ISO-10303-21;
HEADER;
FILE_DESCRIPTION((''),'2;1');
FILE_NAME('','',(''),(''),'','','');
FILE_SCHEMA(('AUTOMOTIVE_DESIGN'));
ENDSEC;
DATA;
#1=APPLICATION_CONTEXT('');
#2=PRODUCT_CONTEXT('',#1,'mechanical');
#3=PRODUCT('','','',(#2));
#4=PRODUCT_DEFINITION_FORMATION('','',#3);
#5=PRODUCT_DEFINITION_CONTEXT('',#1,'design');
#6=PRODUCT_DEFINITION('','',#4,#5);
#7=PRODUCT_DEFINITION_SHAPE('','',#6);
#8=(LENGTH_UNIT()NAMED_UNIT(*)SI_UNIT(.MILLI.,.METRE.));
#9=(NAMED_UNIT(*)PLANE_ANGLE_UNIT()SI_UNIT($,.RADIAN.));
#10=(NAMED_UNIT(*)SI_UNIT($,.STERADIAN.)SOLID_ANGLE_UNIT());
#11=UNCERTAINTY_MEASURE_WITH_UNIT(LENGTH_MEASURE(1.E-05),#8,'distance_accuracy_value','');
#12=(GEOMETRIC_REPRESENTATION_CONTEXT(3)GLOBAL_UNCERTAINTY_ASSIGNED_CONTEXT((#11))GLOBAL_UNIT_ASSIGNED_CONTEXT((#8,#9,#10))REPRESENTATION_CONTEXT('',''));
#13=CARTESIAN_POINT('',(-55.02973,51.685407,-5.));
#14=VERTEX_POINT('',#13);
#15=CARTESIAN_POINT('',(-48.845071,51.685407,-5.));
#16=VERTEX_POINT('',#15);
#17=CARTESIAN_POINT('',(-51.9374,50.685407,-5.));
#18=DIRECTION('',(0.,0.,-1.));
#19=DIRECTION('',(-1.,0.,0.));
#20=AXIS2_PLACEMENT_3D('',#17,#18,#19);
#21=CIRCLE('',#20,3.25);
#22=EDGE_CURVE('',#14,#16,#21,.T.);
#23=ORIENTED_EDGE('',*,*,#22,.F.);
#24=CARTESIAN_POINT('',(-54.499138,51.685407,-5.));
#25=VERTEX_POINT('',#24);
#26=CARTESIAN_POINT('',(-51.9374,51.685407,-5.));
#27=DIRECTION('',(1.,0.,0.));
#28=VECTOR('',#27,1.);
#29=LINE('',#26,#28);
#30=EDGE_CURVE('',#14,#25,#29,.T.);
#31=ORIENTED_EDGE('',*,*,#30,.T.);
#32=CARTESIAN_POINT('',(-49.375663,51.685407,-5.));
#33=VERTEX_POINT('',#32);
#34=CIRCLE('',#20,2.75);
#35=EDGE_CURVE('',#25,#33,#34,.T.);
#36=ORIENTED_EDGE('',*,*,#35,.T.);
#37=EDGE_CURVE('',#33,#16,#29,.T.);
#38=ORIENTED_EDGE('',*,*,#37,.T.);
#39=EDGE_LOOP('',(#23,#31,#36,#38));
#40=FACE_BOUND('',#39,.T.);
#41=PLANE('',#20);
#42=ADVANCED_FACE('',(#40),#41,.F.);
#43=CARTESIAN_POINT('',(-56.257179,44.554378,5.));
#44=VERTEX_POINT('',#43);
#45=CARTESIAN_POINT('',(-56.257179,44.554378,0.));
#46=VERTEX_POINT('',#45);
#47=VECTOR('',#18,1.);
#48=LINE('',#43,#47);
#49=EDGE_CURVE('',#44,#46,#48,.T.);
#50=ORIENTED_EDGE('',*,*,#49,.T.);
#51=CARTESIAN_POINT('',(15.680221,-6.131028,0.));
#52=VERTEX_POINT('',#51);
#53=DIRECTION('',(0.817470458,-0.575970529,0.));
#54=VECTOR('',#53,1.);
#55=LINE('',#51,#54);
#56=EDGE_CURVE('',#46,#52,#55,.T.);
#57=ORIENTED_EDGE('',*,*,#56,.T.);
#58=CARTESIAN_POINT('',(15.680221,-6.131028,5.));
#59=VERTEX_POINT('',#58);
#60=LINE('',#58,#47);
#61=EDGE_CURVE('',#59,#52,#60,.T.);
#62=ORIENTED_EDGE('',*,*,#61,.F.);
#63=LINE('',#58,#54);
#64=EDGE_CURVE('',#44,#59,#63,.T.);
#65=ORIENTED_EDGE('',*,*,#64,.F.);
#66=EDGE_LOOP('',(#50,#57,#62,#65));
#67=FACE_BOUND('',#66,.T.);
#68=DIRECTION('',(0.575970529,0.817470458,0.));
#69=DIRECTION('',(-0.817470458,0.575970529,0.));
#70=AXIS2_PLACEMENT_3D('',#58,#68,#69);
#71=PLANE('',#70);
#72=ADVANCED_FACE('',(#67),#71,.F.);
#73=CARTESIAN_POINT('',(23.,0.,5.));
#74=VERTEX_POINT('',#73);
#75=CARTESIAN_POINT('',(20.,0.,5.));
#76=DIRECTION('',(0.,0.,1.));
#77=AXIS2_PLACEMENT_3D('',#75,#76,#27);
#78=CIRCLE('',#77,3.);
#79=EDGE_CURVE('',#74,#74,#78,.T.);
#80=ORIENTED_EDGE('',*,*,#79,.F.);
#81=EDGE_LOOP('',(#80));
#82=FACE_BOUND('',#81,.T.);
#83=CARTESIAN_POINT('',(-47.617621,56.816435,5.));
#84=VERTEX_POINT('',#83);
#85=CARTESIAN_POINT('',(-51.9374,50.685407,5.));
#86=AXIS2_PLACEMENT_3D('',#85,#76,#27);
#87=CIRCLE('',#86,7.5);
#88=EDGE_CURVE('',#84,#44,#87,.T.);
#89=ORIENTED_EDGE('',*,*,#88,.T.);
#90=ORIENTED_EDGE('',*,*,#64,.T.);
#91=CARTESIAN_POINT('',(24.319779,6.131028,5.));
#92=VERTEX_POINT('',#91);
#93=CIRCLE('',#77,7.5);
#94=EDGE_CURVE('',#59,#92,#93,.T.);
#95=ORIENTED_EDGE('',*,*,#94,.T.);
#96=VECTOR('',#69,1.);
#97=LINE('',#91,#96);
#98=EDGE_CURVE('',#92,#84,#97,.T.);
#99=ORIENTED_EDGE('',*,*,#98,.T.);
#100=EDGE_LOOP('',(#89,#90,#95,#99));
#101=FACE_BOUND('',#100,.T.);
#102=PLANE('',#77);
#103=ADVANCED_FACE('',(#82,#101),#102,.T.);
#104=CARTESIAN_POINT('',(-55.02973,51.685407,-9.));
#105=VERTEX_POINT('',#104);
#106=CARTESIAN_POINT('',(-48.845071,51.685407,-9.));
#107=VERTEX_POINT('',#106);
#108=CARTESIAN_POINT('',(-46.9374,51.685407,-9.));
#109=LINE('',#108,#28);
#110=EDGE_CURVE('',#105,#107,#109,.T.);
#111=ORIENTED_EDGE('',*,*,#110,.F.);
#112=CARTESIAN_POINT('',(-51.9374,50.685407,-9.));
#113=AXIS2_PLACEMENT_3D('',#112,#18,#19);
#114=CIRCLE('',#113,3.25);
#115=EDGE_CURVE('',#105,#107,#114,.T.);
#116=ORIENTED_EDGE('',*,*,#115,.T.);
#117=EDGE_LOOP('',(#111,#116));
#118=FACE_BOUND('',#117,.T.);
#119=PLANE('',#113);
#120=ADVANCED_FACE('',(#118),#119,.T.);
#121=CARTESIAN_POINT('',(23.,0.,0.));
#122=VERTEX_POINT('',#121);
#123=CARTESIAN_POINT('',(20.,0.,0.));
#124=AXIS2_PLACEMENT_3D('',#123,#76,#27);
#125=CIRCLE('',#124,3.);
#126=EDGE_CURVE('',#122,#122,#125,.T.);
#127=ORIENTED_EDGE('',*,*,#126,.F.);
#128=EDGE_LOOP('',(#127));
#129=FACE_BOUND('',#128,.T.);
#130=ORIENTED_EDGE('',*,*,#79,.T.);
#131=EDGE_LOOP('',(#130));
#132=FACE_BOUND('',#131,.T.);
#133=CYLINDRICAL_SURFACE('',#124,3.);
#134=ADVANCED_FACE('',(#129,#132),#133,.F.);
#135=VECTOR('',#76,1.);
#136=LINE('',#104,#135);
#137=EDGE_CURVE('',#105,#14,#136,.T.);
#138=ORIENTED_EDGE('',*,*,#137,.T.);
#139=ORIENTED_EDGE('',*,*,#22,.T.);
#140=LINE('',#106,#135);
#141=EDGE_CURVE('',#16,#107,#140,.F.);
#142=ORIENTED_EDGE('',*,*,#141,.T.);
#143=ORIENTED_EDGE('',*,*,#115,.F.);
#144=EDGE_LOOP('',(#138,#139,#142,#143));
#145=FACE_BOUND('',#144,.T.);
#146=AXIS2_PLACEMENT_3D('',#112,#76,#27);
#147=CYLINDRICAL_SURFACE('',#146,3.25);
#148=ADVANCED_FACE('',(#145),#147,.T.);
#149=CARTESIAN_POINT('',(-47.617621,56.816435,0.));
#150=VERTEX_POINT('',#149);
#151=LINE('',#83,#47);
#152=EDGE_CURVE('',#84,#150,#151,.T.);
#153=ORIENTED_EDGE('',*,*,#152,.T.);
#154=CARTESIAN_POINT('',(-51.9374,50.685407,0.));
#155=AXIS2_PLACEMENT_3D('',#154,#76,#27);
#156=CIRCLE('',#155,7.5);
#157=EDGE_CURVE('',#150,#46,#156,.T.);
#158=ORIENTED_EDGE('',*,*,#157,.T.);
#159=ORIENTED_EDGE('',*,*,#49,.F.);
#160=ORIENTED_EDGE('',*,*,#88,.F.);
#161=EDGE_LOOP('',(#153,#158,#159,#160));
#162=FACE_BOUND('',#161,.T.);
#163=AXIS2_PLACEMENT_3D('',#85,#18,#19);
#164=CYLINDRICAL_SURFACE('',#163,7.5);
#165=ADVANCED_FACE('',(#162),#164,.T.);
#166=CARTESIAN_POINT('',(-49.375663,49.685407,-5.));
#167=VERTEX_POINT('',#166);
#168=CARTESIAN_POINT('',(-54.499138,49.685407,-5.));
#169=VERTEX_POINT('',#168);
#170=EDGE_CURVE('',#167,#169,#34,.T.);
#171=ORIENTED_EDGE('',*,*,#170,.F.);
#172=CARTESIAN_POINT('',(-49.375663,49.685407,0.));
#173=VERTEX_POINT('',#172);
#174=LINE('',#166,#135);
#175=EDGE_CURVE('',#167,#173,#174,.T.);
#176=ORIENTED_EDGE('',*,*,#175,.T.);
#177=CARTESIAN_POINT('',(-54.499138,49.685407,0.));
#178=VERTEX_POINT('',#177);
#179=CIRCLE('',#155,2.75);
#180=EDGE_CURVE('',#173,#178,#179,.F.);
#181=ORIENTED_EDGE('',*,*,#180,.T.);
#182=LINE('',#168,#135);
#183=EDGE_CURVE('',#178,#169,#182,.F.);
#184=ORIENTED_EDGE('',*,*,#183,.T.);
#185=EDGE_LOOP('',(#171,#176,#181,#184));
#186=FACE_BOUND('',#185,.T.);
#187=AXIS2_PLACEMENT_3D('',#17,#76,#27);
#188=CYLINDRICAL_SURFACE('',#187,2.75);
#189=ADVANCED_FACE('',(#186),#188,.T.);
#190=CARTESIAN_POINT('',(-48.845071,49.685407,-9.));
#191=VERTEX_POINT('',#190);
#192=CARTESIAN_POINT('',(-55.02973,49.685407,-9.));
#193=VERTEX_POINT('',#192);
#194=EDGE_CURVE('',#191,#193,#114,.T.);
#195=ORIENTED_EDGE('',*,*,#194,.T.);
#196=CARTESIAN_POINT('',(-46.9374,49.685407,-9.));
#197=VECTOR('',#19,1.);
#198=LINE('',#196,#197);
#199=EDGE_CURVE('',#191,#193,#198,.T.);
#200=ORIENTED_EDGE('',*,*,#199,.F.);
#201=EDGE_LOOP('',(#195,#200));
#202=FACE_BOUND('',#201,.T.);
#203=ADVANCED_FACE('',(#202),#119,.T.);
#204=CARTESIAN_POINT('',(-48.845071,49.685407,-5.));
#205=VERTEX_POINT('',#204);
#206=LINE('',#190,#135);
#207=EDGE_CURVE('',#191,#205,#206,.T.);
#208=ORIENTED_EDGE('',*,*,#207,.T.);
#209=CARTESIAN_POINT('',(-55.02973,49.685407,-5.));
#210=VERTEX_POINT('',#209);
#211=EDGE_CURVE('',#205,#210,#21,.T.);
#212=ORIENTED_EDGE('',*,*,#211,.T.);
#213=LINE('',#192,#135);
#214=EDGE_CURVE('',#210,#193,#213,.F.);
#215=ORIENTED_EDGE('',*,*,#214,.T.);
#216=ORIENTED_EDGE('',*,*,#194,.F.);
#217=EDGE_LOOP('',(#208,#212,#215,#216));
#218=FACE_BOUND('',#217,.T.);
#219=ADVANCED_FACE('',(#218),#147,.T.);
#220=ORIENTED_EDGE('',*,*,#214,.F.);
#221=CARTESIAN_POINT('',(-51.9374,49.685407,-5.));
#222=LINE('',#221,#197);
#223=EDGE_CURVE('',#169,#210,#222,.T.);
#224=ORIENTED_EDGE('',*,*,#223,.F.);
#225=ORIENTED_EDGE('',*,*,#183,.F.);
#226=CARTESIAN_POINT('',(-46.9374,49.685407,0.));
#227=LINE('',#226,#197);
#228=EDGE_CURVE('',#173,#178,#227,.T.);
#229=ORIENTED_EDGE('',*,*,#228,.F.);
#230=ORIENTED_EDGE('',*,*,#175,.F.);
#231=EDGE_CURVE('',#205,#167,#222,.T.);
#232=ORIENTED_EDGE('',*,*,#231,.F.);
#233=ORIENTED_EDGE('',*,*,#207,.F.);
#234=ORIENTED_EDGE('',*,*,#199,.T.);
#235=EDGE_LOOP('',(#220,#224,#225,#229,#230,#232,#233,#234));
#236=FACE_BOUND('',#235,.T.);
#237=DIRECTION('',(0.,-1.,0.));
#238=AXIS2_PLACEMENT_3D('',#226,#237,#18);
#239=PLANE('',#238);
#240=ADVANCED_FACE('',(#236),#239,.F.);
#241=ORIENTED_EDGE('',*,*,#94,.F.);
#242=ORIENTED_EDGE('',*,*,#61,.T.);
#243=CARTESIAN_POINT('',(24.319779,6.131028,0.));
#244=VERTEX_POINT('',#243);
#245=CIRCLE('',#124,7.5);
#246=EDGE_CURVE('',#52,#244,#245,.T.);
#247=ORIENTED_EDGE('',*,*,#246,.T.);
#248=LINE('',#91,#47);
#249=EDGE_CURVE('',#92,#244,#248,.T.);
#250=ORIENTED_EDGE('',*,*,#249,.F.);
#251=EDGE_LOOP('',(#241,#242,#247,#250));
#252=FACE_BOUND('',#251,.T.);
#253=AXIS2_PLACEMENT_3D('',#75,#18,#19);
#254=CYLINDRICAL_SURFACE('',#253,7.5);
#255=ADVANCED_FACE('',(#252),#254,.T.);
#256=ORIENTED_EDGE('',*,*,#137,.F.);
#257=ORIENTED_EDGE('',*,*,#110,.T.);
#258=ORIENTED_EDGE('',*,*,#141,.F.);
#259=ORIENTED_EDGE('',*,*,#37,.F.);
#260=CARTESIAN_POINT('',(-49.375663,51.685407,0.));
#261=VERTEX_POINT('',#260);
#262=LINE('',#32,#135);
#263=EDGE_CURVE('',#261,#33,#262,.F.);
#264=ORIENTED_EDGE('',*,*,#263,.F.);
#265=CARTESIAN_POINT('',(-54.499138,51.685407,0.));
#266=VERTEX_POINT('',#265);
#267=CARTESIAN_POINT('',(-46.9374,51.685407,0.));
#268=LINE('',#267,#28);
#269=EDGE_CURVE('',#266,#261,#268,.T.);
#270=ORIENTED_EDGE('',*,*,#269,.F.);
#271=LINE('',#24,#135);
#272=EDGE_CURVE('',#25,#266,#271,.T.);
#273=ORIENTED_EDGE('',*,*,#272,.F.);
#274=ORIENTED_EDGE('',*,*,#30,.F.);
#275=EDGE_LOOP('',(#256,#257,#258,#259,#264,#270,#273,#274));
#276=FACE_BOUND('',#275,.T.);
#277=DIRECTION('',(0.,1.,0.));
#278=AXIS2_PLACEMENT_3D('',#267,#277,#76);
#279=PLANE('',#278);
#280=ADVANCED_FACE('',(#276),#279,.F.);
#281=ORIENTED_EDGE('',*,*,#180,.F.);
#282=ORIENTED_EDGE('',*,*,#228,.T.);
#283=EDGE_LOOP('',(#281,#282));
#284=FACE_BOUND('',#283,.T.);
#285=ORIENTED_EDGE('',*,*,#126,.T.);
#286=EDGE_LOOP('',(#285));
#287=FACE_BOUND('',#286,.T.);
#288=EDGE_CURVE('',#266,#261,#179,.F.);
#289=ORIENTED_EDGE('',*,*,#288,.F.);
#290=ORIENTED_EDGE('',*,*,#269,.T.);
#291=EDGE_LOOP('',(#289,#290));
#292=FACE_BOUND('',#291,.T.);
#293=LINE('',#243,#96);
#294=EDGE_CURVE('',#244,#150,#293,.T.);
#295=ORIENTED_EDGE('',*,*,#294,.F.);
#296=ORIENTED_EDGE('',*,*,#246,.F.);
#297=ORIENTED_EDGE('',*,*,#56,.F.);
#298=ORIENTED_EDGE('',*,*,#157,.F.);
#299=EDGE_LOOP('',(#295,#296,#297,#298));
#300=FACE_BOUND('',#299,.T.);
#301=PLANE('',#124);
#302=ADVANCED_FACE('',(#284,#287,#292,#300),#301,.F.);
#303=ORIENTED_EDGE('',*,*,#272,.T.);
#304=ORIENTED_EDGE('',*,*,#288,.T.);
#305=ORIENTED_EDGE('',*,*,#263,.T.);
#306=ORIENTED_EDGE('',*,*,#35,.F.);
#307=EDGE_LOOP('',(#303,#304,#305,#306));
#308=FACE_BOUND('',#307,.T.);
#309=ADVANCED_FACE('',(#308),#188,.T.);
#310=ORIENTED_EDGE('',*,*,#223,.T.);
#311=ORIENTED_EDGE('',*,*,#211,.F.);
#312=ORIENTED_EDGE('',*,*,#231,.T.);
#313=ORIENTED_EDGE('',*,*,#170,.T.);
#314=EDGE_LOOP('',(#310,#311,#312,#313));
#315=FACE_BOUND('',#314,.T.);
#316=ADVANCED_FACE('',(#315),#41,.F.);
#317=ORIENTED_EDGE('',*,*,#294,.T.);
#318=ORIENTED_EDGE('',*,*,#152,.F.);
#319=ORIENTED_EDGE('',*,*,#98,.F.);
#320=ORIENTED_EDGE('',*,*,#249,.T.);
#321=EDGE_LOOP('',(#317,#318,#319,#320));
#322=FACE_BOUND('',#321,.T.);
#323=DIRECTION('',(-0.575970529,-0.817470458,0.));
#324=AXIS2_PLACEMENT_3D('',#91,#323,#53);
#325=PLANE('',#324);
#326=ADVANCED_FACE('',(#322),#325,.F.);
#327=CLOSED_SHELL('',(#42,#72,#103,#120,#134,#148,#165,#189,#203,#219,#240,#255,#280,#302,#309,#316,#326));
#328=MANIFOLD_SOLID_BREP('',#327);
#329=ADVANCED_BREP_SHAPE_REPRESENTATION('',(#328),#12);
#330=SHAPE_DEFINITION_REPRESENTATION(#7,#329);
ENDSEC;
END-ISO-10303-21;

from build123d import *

# Parameters (mm, degrees)
BOSS_EXTRU_1_DEPTH      = 5
ESQUISSE2_R             = 3
ENL_V_MAT_EXTRU_1_DEPTH = 5
ESQUISSE3_R             = 2.75
BOSS_EXTRU_2_DEPTH      = 5
ESQUISSE4_R             = 3.25
BOSS_EXTRU_3_DEPTH      = 4
ESQUISSE5_W             = 10
ESQUISSE5_H             = 2
ENL_V_MAT_EXTRU_2_DEPTH = 9


with BuildPart() as part:
    # Esquisse1 → Boss.-Extru.1 (new body)
    with BuildSketch(Plane.XY):
        with BuildLine():
            Line((15.680221033, -6.131028436), (-56.257179278, 44.554378107))
            ThreePointArc((-56.257179278, 44.554378107), (-58.068428747, 55.00518551), (-47.617621345, 56.816434978))
            Line((-47.617621345, 56.816434978), (24.319778967, 6.131028436))
            ThreePointArc((24.319778967, 6.131028436), (26.131028436, -4.319778967), (15.680221033, -6.131028436))
        make_face()
    extrude(amount=BOSS_EXTRU_1_DEPTH)

    # Esquisse2 → Enlèv. mat.-Extru.1 (cut)
    with BuildSketch(Plane.XY.offset(5)):
        with Locations((20, 0)):
            Circle(ESQUISSE2_R)
    extrude(amount=-ENL_V_MAT_EXTRU_1_DEPTH, mode=Mode.SUBTRACT)

    # Esquisse3 → Boss.-Extru.2 (add)
    with BuildSketch(Plane(origin=(0, 0, 0), x_dir=(-1, 0, 0), z_dir=(0, 0, -1))):
        with Locations(Location((51.937400312, 50.685406543, 0), (0, 0, 180))):
            Circle(ESQUISSE3_R)
    extrude(amount=BOSS_EXTRU_2_DEPTH)

    # Esquisse4 → Boss.-Extru.3 (add)
    with BuildSketch(Plane(origin=(0, 0, -5), x_dir=(-1, 0, 0), z_dir=(0, 0, -1))):
        with Locations((51.937400312, 50.685406543)):
            Circle(ESQUISSE4_R)
    extrude(amount=BOSS_EXTRU_3_DEPTH)

    # Esquisse5 → Enlèv. mat.-Extru.2 (cut)
    with BuildSketch(Plane(origin=(0, 0, -9), x_dir=(-1, 0, 0), z_dir=(0, 0, -1))):
        with Locations((51.937400312, 50.685406543)):
            Rectangle(ESQUISSE5_W, ESQUISSE5_H)
    extrude(amount=-ENL_V_MAT_EXTRU_2_DEPTH, mode=Mode.SUBTRACT)


solid = part.part
